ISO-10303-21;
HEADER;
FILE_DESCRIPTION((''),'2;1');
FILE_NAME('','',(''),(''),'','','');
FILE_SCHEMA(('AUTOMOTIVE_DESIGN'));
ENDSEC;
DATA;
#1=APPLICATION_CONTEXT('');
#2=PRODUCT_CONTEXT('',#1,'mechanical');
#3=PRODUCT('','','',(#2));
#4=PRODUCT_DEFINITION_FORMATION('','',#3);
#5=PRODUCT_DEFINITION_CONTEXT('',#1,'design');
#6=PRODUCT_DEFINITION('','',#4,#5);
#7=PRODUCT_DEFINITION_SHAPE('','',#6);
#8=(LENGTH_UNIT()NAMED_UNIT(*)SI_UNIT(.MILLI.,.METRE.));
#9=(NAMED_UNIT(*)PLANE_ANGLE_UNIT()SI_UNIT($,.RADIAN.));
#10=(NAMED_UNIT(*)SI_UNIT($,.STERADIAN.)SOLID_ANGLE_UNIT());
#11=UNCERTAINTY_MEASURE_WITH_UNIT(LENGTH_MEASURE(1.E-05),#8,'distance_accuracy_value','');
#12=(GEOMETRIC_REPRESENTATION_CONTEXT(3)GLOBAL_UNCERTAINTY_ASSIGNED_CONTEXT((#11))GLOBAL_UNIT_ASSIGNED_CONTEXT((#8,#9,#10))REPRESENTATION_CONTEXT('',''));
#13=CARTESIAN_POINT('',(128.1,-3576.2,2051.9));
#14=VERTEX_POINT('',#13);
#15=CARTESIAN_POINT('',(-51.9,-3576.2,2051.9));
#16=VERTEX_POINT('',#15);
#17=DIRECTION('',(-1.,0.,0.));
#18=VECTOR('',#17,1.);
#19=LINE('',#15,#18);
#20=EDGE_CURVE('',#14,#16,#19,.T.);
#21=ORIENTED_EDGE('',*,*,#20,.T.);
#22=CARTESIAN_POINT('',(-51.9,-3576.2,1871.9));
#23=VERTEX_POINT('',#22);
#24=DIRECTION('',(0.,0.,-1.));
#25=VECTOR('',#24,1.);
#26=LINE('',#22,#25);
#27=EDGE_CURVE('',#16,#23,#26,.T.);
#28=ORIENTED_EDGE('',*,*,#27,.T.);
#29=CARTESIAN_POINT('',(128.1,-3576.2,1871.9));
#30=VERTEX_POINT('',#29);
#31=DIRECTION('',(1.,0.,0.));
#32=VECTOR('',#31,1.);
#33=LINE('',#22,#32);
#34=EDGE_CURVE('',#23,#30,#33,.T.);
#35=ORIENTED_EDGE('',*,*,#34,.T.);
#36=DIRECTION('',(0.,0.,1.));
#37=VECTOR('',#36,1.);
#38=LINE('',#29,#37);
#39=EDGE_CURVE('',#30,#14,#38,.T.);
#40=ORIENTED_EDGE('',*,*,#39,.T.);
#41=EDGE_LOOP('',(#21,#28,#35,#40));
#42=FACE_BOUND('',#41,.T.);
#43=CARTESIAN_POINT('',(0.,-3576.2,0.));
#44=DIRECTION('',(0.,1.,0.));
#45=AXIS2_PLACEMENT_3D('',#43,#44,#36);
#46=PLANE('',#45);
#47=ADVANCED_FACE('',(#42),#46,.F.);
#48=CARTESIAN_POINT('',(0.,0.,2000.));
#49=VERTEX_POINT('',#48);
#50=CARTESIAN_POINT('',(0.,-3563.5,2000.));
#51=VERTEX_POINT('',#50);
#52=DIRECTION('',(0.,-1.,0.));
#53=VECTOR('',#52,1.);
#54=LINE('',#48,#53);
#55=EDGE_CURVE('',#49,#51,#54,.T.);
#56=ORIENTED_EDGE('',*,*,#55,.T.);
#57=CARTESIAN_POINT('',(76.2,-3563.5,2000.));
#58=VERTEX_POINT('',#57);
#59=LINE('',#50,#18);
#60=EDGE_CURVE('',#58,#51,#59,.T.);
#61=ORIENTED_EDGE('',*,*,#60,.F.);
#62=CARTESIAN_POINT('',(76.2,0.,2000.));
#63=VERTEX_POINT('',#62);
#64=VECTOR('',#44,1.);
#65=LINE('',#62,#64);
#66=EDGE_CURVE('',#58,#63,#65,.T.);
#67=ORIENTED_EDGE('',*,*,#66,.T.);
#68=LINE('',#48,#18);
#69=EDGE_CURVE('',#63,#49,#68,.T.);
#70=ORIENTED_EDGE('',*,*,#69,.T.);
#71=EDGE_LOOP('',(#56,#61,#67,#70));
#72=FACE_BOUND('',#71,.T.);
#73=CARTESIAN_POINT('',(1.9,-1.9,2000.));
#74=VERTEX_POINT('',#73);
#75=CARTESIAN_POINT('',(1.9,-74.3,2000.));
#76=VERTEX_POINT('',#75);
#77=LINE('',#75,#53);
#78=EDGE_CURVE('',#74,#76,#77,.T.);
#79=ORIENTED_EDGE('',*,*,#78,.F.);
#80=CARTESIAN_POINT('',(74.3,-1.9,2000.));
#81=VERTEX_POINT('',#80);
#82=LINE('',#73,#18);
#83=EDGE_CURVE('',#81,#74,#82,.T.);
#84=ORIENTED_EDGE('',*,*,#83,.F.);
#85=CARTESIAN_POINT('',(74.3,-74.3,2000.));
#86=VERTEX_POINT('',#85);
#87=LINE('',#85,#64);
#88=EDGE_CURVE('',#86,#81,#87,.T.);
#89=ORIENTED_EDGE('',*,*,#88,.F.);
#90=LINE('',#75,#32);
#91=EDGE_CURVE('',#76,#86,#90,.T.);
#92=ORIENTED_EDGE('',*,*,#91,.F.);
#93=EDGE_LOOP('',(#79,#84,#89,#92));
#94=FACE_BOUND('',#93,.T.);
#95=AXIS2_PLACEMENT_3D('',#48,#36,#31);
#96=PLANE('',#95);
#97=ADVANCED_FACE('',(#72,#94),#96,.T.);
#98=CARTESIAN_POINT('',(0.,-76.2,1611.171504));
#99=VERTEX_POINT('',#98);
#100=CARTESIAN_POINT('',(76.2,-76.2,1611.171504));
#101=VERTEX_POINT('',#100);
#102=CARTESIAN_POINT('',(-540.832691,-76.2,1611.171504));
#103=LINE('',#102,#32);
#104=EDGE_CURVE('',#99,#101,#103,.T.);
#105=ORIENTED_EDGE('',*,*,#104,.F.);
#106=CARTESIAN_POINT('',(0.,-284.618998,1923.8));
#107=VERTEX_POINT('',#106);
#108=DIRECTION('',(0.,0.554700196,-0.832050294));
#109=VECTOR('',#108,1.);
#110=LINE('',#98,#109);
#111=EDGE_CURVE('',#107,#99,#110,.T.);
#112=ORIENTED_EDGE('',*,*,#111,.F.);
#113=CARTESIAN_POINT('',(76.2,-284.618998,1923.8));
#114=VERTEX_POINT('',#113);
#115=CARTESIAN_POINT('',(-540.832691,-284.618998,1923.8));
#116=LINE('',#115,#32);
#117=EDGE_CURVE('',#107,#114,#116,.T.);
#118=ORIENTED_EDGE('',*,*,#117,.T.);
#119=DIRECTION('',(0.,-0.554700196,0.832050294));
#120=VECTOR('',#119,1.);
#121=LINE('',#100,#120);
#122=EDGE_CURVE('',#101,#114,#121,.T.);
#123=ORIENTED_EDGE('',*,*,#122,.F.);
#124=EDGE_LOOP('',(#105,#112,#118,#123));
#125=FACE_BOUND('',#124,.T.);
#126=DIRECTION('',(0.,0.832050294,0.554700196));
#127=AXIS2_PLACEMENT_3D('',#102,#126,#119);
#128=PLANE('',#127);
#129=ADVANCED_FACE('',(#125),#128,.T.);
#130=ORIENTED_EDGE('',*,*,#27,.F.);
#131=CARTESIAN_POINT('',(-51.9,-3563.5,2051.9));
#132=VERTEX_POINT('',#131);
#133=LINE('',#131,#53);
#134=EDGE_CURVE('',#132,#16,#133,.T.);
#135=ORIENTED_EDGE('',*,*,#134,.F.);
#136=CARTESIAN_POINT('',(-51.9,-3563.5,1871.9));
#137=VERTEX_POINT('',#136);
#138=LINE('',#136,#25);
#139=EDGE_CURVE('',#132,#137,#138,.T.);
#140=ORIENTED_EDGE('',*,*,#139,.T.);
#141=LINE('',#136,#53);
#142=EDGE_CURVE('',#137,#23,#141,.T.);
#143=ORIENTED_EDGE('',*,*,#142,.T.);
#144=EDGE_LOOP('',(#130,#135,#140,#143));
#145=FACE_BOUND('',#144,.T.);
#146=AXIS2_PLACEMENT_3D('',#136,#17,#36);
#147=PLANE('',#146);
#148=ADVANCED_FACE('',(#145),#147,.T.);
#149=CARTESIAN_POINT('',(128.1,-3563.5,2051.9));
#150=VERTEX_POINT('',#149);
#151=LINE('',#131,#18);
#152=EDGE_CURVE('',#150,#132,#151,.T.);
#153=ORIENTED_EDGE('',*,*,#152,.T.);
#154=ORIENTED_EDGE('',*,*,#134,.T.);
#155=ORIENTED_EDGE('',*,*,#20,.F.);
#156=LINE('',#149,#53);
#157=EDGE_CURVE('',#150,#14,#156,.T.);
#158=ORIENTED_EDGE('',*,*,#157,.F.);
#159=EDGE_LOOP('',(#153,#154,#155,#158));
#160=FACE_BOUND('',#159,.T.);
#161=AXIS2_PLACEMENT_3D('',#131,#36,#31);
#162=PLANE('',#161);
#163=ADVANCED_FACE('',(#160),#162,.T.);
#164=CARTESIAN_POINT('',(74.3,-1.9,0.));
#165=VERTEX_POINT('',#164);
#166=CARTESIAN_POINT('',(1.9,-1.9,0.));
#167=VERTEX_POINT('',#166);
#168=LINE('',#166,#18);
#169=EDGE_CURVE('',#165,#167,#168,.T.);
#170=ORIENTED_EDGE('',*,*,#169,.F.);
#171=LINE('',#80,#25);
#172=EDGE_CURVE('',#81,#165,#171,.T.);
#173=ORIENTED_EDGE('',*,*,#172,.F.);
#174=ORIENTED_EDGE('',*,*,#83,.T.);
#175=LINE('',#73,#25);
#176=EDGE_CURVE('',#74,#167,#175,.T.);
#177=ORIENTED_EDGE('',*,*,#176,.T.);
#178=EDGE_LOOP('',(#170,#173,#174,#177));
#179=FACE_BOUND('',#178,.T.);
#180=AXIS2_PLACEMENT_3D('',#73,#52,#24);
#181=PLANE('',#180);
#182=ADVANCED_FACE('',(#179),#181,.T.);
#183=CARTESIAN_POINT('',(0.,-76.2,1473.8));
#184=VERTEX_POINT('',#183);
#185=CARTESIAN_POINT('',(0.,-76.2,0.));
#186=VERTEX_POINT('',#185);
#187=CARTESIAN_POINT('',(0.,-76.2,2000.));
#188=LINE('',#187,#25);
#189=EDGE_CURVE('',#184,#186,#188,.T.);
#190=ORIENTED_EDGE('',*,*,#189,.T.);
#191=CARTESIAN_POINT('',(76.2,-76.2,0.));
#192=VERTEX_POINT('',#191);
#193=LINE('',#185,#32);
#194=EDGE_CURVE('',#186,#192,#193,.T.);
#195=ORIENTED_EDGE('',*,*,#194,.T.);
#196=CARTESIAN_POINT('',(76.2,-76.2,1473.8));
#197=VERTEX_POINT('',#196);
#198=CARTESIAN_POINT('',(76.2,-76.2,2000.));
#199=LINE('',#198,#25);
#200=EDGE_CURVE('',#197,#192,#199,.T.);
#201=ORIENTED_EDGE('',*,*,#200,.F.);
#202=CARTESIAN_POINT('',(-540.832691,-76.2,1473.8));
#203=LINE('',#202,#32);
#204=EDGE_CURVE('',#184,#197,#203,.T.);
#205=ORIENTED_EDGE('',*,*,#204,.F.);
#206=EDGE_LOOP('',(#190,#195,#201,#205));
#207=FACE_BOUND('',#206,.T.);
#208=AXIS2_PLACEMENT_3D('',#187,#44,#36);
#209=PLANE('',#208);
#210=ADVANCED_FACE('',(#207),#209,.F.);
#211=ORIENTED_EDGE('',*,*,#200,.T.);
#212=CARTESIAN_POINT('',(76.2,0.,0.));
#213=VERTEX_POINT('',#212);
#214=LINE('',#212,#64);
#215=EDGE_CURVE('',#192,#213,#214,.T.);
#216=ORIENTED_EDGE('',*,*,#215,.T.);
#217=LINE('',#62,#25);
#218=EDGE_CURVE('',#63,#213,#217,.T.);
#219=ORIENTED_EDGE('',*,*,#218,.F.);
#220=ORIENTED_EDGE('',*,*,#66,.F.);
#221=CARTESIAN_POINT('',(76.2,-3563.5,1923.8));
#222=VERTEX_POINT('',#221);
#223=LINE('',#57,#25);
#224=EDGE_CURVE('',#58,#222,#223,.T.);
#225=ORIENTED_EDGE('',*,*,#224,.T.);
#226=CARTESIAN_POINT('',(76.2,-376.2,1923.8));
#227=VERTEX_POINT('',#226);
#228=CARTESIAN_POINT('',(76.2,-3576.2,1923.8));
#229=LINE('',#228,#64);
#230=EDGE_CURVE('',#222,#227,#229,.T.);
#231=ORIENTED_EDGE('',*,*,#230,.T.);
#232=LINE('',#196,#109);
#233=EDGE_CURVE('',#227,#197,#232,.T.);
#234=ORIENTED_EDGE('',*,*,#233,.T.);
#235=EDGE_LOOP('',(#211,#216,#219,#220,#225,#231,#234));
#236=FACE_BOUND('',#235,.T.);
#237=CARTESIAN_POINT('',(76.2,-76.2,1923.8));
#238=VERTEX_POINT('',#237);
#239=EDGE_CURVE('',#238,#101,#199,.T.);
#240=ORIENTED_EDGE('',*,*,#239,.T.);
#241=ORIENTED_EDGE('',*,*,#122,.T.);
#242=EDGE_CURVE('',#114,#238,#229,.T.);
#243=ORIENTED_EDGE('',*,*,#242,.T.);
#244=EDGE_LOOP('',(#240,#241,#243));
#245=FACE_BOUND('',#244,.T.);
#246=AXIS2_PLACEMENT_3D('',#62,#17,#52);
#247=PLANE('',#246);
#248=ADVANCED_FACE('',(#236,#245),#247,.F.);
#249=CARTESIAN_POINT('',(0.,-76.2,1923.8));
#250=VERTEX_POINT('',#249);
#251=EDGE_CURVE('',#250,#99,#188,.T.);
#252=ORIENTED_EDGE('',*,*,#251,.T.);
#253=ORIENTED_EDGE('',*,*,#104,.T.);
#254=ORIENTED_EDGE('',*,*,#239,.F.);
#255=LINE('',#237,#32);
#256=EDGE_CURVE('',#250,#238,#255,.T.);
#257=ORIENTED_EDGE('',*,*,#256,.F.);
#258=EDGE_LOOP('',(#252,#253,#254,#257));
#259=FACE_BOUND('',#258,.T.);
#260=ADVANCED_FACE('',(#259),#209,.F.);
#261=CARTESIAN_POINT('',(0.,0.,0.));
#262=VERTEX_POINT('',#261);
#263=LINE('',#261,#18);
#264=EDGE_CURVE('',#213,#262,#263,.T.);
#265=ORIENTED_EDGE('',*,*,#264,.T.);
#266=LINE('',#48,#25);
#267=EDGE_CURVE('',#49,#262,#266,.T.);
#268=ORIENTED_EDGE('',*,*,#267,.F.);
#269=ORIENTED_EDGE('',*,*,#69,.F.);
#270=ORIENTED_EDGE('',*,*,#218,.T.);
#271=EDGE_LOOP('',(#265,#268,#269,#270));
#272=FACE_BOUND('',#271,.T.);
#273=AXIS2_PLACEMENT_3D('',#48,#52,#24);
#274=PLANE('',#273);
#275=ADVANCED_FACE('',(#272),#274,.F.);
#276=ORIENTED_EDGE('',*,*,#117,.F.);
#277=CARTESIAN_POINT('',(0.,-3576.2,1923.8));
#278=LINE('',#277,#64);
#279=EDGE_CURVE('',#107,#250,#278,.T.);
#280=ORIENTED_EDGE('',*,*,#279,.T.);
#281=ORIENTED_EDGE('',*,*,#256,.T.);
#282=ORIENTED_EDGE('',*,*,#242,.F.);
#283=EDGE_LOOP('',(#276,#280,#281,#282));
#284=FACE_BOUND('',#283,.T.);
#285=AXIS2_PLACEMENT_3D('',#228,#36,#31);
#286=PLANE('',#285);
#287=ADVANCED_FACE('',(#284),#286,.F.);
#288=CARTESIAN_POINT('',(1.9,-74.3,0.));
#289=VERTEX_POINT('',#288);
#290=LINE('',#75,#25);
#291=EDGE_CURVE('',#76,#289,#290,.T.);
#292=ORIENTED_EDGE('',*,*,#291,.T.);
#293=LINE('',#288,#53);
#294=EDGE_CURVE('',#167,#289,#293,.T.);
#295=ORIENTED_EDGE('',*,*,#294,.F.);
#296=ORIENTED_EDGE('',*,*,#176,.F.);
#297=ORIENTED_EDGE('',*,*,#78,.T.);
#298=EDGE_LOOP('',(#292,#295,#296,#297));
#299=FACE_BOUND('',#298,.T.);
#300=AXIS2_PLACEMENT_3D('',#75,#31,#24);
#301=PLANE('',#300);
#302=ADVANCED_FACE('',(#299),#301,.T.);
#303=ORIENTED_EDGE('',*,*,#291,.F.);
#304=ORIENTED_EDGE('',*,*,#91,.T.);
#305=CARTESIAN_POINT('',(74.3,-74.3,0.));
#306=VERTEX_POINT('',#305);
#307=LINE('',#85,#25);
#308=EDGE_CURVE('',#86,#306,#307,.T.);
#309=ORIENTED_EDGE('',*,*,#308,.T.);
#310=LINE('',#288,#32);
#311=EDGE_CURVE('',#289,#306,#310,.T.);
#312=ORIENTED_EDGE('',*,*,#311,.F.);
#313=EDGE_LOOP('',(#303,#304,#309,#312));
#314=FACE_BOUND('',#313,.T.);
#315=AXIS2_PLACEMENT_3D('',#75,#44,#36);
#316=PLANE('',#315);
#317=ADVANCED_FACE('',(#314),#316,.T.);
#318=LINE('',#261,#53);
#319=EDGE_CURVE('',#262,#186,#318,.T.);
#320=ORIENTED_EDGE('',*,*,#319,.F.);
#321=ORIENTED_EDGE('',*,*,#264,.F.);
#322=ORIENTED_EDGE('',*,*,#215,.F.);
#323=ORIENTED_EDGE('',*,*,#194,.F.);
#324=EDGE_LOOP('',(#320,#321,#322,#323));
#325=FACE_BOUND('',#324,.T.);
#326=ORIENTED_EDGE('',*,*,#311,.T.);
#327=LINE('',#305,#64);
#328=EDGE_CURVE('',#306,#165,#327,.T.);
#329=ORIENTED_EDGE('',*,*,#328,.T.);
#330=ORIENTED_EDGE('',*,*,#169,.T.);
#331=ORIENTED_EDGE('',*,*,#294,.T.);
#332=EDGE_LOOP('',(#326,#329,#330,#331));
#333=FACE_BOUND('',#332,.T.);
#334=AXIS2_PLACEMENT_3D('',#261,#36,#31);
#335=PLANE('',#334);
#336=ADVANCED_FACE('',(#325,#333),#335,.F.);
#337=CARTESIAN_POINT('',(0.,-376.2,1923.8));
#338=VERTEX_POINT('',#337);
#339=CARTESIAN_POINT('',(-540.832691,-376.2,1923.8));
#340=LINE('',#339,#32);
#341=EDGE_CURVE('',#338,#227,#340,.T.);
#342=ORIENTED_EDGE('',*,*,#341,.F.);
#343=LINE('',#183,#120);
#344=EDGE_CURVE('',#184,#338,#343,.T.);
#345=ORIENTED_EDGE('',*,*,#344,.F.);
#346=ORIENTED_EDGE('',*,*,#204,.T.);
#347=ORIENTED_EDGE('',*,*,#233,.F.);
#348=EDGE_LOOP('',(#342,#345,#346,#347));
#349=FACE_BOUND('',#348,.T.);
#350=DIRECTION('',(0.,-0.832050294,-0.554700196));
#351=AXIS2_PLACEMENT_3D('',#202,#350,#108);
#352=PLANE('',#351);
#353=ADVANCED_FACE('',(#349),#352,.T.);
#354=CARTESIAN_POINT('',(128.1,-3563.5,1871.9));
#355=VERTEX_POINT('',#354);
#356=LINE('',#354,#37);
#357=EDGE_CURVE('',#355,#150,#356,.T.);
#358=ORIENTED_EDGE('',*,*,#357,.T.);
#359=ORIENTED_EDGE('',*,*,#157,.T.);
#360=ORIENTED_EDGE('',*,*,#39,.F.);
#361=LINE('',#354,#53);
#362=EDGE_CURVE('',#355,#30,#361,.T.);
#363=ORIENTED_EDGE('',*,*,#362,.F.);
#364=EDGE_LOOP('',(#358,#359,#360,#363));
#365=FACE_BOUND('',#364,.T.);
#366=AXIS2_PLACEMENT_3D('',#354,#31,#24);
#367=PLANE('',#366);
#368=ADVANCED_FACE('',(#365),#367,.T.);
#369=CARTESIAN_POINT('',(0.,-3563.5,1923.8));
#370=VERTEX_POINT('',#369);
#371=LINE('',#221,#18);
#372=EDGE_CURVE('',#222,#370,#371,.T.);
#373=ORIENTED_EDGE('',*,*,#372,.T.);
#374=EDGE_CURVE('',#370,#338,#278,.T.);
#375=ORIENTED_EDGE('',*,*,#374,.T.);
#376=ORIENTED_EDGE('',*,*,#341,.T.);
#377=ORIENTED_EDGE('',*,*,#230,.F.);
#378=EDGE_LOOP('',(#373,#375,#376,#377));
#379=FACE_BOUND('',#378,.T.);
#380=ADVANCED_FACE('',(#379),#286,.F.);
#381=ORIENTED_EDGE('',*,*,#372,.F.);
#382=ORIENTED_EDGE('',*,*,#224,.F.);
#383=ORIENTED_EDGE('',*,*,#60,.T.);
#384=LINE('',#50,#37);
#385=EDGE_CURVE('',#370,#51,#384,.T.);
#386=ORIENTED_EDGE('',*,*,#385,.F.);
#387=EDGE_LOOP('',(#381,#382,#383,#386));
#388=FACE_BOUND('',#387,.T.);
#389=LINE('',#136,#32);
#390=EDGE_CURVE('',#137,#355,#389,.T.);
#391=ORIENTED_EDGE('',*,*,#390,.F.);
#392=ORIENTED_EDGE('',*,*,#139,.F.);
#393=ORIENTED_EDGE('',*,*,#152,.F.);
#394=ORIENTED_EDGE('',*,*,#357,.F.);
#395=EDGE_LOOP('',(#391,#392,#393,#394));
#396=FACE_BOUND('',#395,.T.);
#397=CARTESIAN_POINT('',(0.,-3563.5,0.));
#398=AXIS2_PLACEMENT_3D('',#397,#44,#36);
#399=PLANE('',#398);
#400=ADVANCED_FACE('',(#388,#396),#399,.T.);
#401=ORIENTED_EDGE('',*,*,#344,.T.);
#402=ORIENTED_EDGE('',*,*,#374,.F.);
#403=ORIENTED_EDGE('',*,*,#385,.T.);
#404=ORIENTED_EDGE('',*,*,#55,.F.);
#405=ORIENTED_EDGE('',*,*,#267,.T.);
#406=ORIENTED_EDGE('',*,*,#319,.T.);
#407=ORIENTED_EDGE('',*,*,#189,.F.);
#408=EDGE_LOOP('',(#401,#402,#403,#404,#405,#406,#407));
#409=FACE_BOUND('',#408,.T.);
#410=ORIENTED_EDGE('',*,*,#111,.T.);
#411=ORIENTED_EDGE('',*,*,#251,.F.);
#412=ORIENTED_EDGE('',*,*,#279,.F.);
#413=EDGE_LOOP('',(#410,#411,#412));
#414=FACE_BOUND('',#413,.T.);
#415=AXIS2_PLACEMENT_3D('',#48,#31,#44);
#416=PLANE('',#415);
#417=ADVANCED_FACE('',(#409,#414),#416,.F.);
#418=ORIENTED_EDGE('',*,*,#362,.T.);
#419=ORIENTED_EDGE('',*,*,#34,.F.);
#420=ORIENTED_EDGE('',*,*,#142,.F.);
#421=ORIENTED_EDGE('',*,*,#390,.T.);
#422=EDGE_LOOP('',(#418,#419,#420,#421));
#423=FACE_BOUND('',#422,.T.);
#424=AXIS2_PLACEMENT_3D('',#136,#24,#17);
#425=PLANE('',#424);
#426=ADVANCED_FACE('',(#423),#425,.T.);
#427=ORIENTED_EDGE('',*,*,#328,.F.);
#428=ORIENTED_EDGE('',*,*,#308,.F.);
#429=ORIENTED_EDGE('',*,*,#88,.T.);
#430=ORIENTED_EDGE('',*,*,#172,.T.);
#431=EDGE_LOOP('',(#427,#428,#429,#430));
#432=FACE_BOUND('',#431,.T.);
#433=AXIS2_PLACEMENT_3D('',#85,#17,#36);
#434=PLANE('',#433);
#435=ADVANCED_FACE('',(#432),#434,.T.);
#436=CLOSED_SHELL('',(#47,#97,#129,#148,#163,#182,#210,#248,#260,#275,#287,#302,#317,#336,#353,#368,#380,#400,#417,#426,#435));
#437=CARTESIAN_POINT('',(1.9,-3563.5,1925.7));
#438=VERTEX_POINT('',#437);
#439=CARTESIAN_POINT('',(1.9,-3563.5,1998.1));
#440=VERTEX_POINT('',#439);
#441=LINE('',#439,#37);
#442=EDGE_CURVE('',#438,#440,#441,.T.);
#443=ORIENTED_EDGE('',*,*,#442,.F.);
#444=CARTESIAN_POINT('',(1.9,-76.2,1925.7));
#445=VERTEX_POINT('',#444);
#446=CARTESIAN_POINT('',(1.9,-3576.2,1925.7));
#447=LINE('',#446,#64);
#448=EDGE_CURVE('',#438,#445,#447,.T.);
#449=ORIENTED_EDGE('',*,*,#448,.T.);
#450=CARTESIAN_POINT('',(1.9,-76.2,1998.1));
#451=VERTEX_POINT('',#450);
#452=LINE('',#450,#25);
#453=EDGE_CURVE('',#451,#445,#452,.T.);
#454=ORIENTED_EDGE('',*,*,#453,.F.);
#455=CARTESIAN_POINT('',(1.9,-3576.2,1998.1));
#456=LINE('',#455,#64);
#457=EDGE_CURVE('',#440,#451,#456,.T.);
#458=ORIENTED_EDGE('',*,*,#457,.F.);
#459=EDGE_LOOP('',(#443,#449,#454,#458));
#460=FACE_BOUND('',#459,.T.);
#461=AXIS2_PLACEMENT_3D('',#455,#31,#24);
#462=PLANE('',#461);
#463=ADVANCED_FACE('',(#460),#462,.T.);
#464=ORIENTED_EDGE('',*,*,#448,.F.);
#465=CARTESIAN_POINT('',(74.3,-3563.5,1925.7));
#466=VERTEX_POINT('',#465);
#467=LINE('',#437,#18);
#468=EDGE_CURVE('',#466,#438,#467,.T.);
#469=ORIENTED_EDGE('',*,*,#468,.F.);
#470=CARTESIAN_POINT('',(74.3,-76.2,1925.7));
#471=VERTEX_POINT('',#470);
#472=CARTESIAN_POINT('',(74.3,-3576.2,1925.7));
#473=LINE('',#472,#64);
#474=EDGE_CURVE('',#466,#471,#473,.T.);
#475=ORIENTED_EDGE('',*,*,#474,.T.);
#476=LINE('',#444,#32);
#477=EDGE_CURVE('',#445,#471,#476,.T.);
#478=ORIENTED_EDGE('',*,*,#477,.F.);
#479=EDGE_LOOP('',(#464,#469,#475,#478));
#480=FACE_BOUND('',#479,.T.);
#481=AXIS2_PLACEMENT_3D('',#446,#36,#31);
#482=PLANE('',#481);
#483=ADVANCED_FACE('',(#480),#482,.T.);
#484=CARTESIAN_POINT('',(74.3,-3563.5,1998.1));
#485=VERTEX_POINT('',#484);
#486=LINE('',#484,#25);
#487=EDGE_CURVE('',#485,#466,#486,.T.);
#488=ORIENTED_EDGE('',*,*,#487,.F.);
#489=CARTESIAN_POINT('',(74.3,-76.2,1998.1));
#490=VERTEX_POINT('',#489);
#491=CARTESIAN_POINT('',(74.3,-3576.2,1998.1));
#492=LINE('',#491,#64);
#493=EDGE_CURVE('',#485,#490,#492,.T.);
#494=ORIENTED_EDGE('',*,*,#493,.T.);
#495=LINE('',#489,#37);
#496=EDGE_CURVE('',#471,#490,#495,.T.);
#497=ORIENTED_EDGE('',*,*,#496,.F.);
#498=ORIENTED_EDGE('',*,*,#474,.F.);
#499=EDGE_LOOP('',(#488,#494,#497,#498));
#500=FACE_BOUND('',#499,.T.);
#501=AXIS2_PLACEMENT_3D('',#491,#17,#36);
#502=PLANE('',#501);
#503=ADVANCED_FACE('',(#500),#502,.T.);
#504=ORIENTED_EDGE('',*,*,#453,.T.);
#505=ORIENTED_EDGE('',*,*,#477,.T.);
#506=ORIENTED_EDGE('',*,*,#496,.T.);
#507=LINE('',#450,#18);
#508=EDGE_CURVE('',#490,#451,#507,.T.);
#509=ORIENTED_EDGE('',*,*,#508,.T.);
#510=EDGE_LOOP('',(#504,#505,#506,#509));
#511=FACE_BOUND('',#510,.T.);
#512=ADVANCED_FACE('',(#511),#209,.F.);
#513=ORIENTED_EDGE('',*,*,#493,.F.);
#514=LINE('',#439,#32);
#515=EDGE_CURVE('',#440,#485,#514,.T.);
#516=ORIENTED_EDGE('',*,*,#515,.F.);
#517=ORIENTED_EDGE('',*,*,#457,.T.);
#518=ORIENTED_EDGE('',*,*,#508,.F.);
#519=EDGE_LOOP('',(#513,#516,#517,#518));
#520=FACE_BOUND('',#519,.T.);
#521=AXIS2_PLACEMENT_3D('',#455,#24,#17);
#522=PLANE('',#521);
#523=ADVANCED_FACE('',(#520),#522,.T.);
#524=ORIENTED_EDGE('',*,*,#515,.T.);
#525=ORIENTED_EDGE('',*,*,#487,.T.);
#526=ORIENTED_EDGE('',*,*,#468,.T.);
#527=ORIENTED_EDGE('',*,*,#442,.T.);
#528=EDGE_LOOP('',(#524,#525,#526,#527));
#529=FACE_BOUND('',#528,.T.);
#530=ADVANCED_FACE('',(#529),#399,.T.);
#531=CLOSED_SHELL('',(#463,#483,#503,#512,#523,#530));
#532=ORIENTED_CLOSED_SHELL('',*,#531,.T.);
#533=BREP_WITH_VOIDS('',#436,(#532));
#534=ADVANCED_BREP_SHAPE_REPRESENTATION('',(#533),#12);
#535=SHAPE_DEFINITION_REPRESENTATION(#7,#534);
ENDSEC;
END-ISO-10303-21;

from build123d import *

# Parameters (mm, degrees)
CROQUIS1_W              = 76.2
CROQUIS1_H              = 76.2
CROQUIS1_W_2            = 72.4
CROQUIS1_H_2            = 72.4
SALIENTE_EXTRUIR1_DEPTH = 2000
CROQUIS2_W              = 76.2
CROQUIS2_H              = 76.2
CROQUIS2_W_2            = 72.4
CROQUIS2_H_2            = 72.4
SALIENTE_EXTRUIR2_DEPTH = 3500
CROQUIS3_W              = 180
CROQUIS3_H              = 180
SALIENTE_EXTRUIR3_DEPTH = 12.7
SALIENTE_EXTRUIR4_DEPTH = 76.2


with BuildPart() as part:
    # Croquis1 → Saliente-Extruir1 (new body)
    with BuildSketch(Plane.XY):
        with Locations((38.1, -38.1)):
            Rectangle(CROQUIS1_W, CROQUIS1_H)
        with Locations((38.1, -38.1)):
            Rectangle(CROQUIS1_W_2, CROQUIS1_H_2, mode=Mode.SUBTRACT)
    extrude(amount=SALIENTE_EXTRUIR1_DEPTH)

    # Croquis2 → Saliente-Extruir2 (add)
    with BuildSketch(Plane.XZ.offset(76.2)):
        with Locations((38.1, 1961.9)):
            Rectangle(CROQUIS2_W, CROQUIS2_H)
        with Locations((38.1, 1961.9)):
            Rectangle(CROQUIS2_W_2, CROQUIS2_H_2, mode=Mode.SUBTRACT)
    extrude(amount=SALIENTE_EXTRUIR2_DEPTH)

    # Croquis3 → Saliente-Extruir3 (add)
    with BuildSketch(Plane.XZ.offset(3576.2)):
        with Locations((38.1, 1961.9)):
            Rectangle(CROQUIS3_W, CROQUIS3_H)
    extrude(amount=-SALIENTE_EXTRUIR3_DEPTH)

    # Croquis4 → Saliente-Extruir4 (add)
    with BuildSketch(Plane(origin=(76.2, 0, 0), x_dir=(0, 0, -1), z_dir=(1, 0, 0))):
        Polygon((-1473.8, -76.2), (-1923.8, -376.2), (-1923.8, -284.618997603), (-1611.171503595, -76.2), align=None)
    extrude(amount=-SALIENTE_EXTRUIR4_DEPTH)


solid = part.part
